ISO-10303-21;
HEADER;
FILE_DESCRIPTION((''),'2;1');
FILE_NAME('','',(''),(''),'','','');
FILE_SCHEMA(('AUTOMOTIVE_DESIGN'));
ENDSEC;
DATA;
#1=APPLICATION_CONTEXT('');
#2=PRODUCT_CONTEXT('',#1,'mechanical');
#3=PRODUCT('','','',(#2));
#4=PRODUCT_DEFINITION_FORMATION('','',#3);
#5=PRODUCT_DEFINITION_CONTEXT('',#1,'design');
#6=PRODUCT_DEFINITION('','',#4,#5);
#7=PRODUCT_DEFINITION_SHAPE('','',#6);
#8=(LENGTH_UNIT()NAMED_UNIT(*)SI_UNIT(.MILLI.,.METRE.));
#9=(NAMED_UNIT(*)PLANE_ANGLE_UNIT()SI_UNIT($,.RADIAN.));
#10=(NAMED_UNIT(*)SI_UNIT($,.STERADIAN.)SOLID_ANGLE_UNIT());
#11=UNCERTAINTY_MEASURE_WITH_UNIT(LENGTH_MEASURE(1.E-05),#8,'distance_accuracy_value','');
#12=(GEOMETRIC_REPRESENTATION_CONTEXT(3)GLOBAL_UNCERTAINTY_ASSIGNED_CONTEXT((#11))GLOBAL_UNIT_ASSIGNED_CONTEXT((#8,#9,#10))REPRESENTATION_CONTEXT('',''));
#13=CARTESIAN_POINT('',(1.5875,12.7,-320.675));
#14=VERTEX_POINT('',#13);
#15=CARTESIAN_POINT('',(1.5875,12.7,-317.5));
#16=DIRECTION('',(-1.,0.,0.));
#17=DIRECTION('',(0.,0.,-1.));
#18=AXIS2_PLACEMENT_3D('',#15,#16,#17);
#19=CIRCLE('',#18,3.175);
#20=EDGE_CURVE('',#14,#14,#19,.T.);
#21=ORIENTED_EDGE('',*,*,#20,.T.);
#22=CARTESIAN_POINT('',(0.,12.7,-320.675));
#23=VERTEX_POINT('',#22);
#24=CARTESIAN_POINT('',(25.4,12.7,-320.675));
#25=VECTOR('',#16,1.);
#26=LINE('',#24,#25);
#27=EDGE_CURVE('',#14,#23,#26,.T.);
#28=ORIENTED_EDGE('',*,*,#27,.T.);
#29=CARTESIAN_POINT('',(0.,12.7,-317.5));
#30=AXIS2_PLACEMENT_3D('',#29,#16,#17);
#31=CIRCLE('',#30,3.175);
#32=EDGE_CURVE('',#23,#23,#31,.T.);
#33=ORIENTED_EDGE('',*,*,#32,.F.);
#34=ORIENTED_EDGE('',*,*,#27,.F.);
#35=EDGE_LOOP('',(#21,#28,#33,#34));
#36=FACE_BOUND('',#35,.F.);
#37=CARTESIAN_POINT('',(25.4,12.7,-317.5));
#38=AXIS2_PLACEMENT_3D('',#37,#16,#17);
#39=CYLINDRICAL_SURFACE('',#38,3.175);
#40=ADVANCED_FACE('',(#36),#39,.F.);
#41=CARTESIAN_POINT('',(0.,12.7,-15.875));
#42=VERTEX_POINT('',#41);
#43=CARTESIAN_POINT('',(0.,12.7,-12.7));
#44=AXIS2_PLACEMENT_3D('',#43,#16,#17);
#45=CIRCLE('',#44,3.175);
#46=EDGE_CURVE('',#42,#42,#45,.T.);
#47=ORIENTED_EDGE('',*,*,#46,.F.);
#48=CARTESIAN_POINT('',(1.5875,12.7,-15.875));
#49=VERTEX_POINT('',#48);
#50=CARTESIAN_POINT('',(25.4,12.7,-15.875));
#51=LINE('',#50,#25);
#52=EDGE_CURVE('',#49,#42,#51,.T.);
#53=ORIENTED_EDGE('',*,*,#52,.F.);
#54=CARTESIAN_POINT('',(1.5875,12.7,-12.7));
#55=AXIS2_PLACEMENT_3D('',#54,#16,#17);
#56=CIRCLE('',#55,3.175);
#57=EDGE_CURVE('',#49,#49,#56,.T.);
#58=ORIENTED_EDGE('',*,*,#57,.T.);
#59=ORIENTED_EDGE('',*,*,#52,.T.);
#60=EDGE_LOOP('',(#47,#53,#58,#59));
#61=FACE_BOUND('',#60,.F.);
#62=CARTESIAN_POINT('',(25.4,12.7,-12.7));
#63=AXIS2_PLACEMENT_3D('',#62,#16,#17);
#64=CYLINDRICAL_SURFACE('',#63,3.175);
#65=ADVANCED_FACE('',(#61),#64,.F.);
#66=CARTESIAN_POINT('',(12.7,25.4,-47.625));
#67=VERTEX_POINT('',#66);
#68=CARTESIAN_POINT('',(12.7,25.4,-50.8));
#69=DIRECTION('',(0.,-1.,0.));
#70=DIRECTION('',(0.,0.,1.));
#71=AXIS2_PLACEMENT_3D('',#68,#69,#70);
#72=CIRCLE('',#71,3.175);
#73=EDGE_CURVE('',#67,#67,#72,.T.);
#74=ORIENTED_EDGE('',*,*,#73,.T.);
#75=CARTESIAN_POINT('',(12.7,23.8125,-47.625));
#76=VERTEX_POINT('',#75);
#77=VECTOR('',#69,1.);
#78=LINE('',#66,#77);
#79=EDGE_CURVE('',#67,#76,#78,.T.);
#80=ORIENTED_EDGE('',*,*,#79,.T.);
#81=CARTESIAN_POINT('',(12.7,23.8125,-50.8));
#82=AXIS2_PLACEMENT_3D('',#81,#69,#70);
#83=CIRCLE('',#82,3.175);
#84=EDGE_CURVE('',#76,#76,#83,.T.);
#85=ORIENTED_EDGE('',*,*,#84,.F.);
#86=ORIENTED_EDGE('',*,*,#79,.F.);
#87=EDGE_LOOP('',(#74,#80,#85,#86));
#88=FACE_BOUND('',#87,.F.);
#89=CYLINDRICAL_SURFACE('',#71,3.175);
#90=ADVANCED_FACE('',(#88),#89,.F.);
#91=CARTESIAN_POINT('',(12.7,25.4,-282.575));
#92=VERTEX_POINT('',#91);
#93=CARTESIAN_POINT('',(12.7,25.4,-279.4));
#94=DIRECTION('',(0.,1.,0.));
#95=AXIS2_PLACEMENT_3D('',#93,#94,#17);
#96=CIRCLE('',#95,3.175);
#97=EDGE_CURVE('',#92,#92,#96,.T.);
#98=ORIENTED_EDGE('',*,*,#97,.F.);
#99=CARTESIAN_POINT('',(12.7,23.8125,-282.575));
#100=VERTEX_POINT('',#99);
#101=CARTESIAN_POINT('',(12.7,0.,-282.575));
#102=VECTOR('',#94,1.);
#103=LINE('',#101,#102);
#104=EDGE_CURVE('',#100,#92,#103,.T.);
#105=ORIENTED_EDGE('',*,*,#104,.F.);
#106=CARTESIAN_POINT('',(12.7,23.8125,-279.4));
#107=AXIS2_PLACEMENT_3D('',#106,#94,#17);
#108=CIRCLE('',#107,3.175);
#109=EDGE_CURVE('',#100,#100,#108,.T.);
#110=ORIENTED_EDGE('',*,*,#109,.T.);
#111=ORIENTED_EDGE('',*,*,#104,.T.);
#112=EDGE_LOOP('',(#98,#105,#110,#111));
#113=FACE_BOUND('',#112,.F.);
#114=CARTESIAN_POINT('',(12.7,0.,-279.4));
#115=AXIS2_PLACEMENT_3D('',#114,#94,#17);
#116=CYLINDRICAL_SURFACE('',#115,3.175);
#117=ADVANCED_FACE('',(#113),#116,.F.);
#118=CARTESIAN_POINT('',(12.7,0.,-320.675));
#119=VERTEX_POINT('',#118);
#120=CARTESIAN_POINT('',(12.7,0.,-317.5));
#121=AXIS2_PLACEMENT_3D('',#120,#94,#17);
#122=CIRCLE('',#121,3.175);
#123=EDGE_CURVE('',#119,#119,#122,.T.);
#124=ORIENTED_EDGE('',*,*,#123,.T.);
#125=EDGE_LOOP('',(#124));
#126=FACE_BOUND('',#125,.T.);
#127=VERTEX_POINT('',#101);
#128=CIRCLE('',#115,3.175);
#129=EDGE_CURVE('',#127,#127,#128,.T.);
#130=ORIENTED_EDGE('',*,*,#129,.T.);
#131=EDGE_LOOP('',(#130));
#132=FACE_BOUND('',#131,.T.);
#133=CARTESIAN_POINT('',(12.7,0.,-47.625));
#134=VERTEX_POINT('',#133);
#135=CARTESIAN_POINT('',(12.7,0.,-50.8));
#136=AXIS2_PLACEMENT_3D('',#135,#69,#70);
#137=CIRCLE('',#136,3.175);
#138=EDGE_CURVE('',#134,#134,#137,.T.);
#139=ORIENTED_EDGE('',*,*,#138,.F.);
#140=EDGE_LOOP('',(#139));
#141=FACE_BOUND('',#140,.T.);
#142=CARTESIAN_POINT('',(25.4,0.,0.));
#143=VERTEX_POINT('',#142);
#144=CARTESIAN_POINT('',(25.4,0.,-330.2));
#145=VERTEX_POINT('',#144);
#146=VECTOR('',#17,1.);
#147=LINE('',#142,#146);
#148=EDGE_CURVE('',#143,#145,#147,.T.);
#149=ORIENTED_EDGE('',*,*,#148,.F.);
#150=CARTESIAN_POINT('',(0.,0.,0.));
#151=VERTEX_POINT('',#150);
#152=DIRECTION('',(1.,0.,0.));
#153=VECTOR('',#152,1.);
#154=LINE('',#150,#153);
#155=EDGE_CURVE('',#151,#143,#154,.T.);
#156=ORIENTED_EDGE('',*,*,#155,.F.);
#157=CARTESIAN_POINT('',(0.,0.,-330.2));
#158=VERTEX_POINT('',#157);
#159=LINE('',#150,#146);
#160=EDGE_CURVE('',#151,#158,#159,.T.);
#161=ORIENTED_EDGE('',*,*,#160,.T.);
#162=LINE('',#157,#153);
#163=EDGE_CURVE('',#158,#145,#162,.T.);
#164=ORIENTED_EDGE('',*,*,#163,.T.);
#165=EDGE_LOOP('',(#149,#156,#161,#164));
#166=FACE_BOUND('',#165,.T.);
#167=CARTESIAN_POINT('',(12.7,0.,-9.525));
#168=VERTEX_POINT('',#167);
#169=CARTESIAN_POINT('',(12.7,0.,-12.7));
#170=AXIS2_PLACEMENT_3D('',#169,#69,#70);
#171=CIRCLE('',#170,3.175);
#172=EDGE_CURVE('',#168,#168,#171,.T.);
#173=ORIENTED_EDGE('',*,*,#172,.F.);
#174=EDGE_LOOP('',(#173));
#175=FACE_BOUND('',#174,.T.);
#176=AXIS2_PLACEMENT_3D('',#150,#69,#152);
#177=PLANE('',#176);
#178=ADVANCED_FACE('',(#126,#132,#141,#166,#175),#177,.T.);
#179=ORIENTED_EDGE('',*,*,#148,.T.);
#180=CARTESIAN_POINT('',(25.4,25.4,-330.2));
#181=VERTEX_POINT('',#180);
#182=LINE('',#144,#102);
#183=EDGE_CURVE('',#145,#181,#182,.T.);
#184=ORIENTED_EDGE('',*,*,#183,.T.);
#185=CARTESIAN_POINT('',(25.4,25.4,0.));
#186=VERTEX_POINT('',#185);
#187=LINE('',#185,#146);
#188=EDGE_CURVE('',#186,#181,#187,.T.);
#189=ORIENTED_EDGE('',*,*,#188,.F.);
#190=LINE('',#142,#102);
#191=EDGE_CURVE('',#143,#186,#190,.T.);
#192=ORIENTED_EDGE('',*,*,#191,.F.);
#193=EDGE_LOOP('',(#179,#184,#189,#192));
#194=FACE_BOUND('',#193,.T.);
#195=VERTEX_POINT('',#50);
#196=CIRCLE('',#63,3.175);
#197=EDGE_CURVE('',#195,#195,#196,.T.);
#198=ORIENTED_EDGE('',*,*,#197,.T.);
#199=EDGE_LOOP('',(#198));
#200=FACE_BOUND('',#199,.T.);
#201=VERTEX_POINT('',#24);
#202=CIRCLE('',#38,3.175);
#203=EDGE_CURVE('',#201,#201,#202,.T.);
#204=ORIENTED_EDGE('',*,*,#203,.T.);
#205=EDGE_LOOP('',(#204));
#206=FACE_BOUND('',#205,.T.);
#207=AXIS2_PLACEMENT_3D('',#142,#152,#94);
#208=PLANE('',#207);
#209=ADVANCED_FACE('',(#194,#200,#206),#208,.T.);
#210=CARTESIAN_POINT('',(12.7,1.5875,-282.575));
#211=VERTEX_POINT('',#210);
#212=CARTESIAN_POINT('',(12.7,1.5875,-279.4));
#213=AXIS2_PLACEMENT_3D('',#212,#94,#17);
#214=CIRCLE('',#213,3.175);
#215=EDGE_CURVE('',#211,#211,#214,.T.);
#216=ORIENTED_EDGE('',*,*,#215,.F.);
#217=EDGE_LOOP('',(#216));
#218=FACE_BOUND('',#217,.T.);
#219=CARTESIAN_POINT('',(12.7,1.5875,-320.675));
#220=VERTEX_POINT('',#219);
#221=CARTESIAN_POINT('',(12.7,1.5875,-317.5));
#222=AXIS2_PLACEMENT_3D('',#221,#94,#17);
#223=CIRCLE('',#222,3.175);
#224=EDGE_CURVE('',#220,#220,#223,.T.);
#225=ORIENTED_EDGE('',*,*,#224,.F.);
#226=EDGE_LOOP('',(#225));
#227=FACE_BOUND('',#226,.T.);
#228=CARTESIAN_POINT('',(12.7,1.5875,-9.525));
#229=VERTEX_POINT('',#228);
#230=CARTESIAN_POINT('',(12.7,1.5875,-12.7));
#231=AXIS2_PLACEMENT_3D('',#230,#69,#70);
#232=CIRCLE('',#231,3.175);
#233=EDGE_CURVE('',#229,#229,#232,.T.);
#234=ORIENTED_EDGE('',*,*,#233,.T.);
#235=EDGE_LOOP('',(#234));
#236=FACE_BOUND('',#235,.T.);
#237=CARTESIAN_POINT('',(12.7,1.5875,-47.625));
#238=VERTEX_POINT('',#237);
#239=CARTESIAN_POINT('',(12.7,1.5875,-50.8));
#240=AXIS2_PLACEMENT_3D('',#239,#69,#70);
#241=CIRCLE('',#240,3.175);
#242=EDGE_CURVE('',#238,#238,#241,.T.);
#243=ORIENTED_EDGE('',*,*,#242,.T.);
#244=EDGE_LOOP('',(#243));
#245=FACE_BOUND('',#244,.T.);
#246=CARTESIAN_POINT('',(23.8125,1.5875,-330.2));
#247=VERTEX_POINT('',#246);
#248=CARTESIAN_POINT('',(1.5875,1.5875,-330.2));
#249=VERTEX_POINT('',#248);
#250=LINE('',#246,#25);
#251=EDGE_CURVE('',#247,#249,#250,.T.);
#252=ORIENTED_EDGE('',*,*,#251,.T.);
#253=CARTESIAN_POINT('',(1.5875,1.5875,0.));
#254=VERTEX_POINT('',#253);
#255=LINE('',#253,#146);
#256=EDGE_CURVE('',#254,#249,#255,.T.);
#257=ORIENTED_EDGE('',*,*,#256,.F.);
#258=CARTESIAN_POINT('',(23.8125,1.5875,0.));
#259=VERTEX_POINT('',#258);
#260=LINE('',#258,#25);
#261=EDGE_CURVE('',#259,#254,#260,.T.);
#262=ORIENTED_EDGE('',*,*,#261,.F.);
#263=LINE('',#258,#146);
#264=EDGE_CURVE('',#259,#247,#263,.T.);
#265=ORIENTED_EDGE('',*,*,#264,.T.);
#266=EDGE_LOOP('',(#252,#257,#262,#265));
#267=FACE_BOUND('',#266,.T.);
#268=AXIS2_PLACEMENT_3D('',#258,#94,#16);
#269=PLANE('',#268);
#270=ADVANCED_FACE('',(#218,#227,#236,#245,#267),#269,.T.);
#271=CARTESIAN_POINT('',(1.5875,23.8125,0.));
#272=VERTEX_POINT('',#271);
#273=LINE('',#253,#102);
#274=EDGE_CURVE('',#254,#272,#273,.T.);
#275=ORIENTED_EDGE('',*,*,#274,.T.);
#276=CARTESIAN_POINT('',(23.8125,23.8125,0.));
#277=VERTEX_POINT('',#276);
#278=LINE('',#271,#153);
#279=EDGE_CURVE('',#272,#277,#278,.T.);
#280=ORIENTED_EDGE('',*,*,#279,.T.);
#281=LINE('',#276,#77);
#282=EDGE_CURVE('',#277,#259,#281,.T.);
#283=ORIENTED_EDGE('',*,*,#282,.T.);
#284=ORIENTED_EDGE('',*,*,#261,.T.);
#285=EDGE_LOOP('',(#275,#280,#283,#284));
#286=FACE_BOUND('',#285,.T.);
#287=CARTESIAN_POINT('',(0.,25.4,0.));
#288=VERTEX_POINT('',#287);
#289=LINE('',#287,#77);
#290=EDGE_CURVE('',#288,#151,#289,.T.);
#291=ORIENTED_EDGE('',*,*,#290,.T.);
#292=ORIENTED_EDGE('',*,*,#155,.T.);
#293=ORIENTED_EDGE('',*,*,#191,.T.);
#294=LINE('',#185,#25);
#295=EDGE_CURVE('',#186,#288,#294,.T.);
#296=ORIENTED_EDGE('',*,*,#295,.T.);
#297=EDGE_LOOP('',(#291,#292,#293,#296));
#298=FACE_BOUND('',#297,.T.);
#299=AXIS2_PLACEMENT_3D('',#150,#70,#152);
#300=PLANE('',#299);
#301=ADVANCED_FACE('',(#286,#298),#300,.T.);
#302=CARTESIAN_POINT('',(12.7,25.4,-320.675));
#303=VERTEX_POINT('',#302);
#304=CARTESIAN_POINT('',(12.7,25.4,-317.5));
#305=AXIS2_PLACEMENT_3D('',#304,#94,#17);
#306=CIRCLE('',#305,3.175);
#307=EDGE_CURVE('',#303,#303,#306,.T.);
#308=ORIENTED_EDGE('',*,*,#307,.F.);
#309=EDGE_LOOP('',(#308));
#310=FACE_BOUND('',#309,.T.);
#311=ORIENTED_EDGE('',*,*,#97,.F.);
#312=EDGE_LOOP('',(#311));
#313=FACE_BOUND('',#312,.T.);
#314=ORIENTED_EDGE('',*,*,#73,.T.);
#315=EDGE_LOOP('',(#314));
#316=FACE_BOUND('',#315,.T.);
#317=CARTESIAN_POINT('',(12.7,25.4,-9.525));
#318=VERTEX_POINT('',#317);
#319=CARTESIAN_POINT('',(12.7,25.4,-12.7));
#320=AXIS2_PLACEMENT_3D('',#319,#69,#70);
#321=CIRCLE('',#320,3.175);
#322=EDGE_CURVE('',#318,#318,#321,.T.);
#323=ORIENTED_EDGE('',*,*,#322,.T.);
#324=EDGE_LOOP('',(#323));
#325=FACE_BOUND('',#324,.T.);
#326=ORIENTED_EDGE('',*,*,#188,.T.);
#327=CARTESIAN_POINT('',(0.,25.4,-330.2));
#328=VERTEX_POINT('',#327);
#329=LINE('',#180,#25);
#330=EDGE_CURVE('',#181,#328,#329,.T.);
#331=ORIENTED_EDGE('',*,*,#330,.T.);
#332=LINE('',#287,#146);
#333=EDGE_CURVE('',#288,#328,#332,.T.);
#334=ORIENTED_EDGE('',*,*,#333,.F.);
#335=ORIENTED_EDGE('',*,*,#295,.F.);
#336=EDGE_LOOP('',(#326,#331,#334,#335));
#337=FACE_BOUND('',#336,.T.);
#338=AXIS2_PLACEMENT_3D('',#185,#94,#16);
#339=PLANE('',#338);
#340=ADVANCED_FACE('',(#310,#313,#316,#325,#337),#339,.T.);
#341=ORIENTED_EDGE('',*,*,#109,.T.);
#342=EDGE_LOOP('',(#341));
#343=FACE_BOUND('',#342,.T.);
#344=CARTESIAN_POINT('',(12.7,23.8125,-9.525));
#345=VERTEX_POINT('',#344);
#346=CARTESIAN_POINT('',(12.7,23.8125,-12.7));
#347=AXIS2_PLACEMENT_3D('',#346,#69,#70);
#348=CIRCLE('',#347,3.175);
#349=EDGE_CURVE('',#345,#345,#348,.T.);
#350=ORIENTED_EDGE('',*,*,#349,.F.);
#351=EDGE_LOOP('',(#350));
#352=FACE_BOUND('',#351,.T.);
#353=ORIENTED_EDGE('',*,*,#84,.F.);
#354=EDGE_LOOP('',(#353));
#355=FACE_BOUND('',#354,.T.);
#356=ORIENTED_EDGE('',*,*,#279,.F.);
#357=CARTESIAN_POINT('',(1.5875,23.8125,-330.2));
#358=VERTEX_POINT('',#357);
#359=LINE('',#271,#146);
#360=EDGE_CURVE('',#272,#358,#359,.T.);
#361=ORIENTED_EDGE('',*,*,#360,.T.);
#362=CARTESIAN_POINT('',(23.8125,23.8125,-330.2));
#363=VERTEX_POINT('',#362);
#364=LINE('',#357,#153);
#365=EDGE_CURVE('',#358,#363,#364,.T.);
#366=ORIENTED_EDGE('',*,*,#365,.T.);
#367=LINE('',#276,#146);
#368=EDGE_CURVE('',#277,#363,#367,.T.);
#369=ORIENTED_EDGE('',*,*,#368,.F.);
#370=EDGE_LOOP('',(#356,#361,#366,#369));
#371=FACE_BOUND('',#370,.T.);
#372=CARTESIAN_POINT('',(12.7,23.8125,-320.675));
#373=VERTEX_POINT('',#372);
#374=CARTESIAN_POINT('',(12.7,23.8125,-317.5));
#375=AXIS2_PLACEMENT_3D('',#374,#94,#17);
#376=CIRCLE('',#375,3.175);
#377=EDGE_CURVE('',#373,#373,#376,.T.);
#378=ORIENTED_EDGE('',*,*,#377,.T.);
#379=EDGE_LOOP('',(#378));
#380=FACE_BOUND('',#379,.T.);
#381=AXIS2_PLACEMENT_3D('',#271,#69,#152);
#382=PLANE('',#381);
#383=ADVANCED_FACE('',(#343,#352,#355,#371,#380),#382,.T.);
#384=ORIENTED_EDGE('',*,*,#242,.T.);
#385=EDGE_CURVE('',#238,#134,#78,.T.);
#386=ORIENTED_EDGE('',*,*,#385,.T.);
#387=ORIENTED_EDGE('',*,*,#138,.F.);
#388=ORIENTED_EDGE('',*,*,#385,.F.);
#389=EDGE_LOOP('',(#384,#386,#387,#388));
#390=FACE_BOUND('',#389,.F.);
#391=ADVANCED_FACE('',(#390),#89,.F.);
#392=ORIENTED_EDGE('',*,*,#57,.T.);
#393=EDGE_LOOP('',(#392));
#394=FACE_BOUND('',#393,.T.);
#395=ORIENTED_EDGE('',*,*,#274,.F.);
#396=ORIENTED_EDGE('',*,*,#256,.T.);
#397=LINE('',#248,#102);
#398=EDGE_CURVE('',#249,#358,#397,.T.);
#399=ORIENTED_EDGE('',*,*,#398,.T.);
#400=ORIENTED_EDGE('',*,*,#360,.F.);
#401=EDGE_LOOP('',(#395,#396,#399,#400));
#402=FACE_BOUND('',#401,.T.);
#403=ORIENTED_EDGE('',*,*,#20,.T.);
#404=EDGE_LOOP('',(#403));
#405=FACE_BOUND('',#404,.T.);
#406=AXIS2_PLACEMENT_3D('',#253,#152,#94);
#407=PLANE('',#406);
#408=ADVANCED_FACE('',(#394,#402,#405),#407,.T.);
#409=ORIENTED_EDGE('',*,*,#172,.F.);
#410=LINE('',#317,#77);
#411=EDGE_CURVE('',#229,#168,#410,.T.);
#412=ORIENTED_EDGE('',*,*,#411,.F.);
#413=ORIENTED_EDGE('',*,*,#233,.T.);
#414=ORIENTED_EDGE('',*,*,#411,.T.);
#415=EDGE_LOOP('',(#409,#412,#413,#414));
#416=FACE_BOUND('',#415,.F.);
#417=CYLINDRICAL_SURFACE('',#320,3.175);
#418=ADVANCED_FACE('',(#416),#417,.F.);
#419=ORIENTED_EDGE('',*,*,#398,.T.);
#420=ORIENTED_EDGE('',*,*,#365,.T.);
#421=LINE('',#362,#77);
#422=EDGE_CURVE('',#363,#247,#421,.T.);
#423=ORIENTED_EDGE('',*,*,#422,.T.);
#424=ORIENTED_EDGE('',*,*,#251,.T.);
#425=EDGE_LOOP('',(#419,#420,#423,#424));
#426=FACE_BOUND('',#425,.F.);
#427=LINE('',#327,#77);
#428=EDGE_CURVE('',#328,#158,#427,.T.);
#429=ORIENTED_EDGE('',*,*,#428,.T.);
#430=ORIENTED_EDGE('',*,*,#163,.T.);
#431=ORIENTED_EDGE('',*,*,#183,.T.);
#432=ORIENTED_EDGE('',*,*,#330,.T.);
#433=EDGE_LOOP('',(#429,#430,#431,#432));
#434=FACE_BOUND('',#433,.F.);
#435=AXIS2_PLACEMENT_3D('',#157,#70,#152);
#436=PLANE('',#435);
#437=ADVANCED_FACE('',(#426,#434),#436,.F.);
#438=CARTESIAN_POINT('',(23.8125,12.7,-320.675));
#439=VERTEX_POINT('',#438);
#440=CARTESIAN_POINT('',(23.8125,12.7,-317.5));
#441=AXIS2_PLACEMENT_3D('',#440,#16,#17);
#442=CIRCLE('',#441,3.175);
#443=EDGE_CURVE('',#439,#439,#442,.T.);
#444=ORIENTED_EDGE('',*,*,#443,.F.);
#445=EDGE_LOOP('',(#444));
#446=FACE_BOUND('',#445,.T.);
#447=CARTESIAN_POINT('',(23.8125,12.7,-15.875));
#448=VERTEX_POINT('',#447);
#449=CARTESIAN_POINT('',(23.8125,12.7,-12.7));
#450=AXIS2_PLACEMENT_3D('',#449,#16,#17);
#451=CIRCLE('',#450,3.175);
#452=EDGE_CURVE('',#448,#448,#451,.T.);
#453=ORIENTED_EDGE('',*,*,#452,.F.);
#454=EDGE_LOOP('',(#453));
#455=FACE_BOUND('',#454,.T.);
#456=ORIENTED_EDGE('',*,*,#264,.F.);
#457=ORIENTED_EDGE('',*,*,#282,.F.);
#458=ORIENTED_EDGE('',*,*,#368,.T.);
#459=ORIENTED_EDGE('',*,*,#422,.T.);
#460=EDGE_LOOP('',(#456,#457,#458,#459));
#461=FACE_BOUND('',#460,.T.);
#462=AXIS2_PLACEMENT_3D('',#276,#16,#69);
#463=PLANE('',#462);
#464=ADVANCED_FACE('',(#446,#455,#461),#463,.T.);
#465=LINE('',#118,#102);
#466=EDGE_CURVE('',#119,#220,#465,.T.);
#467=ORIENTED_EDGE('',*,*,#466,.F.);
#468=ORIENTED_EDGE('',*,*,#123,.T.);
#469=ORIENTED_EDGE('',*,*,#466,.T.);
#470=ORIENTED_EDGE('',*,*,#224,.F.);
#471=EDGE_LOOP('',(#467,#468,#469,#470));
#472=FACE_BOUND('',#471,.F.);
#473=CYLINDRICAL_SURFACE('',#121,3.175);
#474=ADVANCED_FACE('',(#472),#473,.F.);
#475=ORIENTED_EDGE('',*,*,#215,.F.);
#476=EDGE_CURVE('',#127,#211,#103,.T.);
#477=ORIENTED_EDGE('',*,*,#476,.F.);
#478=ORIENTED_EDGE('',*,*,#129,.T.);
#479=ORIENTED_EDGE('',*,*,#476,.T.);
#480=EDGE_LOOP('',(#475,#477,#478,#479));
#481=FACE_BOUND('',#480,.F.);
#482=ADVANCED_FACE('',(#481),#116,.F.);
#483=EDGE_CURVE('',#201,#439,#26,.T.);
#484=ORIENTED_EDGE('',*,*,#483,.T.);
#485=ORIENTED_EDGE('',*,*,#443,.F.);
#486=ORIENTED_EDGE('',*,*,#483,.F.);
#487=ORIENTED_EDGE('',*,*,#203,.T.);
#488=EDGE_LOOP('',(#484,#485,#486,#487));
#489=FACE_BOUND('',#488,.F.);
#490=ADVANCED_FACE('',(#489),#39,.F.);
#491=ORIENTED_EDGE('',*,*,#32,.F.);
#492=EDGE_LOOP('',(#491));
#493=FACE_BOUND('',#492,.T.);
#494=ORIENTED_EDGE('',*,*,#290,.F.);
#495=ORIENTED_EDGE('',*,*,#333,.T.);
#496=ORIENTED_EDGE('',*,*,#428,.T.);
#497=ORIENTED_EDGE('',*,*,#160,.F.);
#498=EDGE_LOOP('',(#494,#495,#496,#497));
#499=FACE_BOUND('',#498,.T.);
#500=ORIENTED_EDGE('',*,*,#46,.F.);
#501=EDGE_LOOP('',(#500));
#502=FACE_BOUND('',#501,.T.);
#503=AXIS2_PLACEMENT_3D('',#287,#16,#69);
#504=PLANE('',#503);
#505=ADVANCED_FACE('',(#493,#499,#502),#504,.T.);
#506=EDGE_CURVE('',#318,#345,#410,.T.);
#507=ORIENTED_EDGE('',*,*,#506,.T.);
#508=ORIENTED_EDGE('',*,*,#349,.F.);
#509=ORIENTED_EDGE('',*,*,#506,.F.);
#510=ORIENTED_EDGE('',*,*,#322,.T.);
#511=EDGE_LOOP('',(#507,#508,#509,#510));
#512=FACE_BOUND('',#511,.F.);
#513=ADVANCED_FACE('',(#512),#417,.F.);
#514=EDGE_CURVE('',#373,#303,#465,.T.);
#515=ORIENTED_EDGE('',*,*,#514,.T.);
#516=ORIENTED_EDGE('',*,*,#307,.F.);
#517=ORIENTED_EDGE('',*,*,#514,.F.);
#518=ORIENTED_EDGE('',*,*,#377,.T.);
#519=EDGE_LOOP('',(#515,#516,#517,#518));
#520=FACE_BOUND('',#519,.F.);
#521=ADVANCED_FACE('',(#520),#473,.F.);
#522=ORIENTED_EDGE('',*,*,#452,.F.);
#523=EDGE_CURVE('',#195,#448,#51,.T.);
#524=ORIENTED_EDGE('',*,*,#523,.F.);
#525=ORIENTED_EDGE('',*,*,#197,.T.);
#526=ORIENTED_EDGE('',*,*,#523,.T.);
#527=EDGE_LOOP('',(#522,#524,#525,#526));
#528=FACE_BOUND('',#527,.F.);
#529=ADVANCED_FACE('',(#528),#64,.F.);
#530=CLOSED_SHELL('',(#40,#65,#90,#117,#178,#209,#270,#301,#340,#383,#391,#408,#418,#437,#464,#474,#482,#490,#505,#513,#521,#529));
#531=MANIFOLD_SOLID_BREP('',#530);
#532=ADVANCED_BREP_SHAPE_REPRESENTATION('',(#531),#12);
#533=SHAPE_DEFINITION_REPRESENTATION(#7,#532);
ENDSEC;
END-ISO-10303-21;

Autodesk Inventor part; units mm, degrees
ref_plane "YZ Plane" through (0, 0, 0) normal (1, 0, 0) x (0, 1, 0)
ref_plane "XZ Plane" through (0, 0, 0) normal (0, 1, 0) x (-1, 0, 0)
ref_plane "XY Plane" through (0, 0, 0) normal (0, 0, 1) x (1, 0, 0)
sketch "Sketch1" plane through (0, 0, 0) normal (0, 0, 1) x (1, 0, 0)
  line L0 (0, 0) -> (25.4, 0)
  line L1 (25.4, 0) -> (25.4, 25.4)
  line L2 (25.4, 25.4) -> (0, 25.4)
  line L3 (0, 25.4) -> (0, 0)
  line L4 (1.5875, 23.8125) -> (23.8125, 23.8125)
  line L5 (23.8125, 23.8125) -> (23.8125, 1.5875)
  line L6 (23.8125, 1.5875) -> (1.5875, 1.5875)
  line L7 (1.5875, 1.5875) -> (1.5875, 23.8125)
  dimension "d0" = 25.4
  dimension "d1" = 25.4
  dimension "d2" = 1.5875
extrude "Extrusion1" add sketch "Sketch1" against normal blind 330.2
sketch "Sketch2" plane through (0, 0, 0) normal (0, -1, 0) x (1, 0, 0)
  line L0 (0, -330.2) -> (25.4, -330.2) projected
  point P0 (12.7, -317.5)
  point P1 (12.7, -279.4)
  dimension "d5" = 38.1
  dimension "d6" = 12.7
hole "Hole1" at (12.7, 0, -317.5) at (12.7, 0, -279.4) direction (0, 1, 0) diameter 6.35 depth 25.4 tip angle 118
sketch "Sketch3" plane through (0, 25.4, 0) normal (0, 1, 0) x (1, 0, 0)
  line L0 (0, 0) -> (0, 330.2) projected
  line L1 (25.4, 0) -> (0, 0) projected
  point P0 (12.7, 12.7)
  dimension "d25" = 12.7
  dimension "d26" = 12.7
sketch "Sketch4" plane through (25.4, 0, 0) normal (1, 0, 0) x (0, 0, -1)
  line L0 (330.2, 0) -> (330.2, 25.4) projected
  line L1 (0, 25.4) -> (330.2, 25.4) projected
  line L2 (0, 0) -> (0, 25.4) projected
  point P0 (317.5, 12.7)
  point P1 (12.7, 12.7)
  dimension "d14" = 12.7
  dimension "d15" = 12.7
  dimension "d16" = 12.7
  dimension "d17" = 12.7
hole "Hole2" at (25.4, 12.7, -12.7) at (25.4, 12.7, -317.5) direction (-1, 0, 0) diameter 6.35 depth 25.4 tip angle 118
hole "Hole3" at (12.7, 25.4, -12.7) direction (0, -1, 0) diameter 6.35 depth 25.4 tip angle 118
sketch "Sketch5" plane through (0, 25.4, 0) normal (0, 1, 0) x (1, 0, 0)
  line L0 (25.4, 0) -> (0, 0) projected
  point P0 (12.7, 50.8)
  dimension "d34" = 50.8
hole "Hole4" at (12.7, 25.4, -50.8) direction (0, -1, 0) diameter 6.35 depth 50.8 tip angle 118
properties part number "1tube_13_layer2_side"
